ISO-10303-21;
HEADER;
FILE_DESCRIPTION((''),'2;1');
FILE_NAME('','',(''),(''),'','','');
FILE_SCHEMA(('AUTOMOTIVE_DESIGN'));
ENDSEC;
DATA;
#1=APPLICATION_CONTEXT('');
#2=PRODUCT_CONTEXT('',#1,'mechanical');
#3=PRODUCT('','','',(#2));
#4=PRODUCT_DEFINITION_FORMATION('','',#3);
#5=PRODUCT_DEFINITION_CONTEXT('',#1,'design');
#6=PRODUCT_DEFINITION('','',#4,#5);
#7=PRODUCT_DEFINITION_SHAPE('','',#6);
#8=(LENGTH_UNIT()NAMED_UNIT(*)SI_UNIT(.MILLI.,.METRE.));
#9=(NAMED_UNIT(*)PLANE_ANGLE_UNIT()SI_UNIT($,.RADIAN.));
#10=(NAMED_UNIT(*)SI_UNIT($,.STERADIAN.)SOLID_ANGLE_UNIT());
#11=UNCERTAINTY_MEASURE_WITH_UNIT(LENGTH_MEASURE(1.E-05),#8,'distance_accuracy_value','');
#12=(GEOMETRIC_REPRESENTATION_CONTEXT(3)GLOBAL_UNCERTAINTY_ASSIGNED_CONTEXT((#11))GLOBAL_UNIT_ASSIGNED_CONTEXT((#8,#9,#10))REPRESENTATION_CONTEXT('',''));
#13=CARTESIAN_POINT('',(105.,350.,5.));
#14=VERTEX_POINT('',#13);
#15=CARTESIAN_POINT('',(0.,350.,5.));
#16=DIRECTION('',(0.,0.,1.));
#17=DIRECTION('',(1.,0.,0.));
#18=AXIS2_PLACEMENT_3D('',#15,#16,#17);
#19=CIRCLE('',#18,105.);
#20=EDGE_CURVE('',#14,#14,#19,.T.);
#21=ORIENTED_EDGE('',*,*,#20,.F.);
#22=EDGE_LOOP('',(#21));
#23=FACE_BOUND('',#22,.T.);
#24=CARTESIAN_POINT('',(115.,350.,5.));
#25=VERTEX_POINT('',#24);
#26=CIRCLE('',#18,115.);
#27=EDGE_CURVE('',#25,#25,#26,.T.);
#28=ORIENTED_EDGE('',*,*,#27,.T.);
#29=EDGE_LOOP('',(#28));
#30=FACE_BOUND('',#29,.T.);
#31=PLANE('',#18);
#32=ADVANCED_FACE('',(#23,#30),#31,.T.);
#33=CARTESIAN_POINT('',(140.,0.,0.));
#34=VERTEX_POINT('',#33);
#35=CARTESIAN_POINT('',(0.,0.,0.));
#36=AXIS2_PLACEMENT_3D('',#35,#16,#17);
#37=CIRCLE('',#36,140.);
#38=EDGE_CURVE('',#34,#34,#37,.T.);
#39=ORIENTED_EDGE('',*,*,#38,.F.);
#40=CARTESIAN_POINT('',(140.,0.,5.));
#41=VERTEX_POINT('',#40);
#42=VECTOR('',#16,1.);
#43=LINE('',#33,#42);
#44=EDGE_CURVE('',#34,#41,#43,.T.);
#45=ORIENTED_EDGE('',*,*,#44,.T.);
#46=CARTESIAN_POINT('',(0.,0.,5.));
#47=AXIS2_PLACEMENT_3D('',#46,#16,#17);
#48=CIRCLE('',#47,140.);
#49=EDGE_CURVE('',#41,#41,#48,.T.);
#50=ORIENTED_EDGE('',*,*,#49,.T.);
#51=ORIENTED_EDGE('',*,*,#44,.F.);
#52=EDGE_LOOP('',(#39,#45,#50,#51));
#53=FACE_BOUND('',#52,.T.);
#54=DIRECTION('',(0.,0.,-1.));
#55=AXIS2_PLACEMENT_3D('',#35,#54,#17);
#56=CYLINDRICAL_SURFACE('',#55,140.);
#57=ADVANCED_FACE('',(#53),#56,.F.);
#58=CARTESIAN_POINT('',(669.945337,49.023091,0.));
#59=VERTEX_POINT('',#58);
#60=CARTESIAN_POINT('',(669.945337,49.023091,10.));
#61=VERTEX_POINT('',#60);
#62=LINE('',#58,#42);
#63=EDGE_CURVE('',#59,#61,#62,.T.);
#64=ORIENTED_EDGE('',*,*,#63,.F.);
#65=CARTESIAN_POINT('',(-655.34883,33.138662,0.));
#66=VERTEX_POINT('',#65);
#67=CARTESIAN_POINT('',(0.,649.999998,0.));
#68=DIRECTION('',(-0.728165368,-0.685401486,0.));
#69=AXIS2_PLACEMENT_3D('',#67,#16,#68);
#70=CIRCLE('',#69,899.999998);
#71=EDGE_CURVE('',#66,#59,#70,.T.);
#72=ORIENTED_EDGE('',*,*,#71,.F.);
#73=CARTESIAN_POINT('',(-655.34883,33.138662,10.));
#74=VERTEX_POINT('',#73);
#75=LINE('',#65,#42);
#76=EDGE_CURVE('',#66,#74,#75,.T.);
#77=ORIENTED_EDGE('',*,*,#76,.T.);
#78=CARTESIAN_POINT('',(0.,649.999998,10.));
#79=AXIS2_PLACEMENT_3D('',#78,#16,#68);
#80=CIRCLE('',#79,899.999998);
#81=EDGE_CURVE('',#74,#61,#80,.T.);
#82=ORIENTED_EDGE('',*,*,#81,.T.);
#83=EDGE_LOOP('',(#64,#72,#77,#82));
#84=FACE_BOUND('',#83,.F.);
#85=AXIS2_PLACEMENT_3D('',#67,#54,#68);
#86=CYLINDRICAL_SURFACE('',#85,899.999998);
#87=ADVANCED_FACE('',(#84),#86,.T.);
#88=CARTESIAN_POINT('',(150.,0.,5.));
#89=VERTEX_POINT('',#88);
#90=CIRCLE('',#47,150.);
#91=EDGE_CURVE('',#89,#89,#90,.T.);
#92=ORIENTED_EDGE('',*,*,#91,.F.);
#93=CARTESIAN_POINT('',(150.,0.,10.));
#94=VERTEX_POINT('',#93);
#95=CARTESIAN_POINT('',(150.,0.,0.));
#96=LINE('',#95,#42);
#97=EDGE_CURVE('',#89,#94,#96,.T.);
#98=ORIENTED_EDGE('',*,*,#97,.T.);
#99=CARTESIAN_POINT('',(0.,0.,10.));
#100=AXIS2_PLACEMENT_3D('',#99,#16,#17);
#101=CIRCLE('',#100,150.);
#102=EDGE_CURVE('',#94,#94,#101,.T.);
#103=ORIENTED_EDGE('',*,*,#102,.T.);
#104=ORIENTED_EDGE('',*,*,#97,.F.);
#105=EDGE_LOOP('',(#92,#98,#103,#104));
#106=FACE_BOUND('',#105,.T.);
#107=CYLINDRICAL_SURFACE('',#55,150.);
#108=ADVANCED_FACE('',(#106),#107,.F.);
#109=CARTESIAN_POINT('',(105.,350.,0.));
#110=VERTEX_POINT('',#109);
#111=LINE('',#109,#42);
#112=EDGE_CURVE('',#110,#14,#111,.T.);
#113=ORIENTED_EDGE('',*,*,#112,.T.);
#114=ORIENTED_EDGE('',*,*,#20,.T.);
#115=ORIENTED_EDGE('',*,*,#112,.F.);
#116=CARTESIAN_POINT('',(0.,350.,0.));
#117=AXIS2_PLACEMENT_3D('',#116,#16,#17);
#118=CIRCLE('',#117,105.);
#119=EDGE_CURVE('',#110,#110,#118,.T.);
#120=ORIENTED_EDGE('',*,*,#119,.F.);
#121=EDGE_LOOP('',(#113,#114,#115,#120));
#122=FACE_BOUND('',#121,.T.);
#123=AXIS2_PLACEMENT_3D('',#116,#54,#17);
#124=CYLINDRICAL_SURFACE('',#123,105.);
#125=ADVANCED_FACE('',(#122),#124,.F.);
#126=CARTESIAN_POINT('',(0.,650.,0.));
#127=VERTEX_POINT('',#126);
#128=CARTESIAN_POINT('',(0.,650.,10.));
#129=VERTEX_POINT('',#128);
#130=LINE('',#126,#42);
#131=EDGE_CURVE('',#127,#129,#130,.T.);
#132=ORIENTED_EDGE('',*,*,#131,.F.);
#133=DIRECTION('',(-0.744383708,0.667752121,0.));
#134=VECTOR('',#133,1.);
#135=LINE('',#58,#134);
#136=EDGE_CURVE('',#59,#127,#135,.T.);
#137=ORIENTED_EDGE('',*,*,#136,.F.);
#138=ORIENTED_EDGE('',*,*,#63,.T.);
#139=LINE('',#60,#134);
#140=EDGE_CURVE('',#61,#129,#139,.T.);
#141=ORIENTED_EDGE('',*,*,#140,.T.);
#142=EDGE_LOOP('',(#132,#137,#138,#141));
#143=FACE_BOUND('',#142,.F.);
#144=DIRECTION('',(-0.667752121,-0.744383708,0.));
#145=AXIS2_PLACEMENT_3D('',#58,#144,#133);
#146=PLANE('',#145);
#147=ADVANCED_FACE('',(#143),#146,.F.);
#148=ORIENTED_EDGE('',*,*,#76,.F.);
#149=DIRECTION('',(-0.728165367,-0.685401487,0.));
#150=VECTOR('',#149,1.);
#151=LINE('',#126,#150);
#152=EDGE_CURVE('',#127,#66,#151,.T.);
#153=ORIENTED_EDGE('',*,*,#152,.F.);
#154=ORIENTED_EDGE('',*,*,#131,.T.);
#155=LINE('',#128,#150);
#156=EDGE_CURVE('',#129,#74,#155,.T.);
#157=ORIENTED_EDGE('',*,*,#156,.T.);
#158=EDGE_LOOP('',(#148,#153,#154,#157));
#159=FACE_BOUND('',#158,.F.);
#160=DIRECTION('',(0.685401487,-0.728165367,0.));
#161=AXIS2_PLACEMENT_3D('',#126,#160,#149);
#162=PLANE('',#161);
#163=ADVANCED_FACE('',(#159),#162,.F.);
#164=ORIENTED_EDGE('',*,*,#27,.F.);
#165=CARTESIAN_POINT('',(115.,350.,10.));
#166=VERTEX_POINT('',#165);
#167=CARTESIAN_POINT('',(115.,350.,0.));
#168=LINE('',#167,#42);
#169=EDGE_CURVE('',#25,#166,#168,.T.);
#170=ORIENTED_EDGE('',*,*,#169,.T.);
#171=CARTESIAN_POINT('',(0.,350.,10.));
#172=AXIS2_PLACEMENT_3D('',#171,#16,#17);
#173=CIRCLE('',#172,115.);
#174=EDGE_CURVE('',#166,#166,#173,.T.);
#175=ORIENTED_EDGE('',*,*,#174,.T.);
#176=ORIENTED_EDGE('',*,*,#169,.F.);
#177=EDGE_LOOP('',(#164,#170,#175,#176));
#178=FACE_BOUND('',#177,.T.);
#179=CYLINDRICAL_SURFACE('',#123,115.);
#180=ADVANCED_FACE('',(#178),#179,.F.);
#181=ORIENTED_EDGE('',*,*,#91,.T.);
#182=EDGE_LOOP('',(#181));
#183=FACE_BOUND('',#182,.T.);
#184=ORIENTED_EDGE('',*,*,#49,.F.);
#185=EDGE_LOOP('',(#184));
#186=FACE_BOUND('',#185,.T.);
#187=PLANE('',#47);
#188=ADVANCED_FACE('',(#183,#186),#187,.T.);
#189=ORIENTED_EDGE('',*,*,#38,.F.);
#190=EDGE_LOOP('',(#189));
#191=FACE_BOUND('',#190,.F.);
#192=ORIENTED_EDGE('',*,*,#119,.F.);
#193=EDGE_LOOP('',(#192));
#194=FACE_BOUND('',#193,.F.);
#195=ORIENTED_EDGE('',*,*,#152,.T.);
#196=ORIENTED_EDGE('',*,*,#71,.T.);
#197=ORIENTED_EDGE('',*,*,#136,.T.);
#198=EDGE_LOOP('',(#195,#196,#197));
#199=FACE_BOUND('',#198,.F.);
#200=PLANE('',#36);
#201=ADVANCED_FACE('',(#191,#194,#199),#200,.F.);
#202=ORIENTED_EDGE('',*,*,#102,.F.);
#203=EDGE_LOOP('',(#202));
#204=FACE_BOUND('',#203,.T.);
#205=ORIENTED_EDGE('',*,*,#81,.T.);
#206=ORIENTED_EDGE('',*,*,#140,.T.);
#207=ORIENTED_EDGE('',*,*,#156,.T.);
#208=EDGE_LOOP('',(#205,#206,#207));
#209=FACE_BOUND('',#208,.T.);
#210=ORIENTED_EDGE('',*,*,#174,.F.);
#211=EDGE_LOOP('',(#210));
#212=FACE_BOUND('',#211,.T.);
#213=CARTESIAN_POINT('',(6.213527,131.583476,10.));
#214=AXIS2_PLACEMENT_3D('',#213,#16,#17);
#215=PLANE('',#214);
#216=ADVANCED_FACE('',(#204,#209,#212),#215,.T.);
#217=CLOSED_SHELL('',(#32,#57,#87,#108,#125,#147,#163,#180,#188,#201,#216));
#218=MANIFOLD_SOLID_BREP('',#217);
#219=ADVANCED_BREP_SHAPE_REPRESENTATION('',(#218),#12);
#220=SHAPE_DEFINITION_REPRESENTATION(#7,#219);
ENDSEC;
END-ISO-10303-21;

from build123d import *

# Parameters (mm, degrees)
F0_R     = 150
F0_R_2   = 115
F1_DEPTH = 10
F0_R_3   = 140
F0_R_4   = 105
F2_DEPTH = 5


with BuildPart() as f1:
    # F0 (on Top) → F1 (new body)
    with BuildSketch(Plane.XY):
        with BuildLine():
            ThreePointArc((-655.34883, 33.138662), (10.786254, -249.935363), (669.945337, 49.023091))
            Line((669.945337, 49.023091), (0, 650))
            Line((0, 650), (-655.34883, 33.138662))
        make_face()
        Circle(F0_R, mode=Mode.SUBTRACT)
        with Locations((0, 350)):
            Circle(F0_R_2, mode=Mode.SUBTRACT)
    extrude(amount=F1_DEPTH)

    # F0 (on Top) → F2 (join)
    with BuildSketch(Plane.XY):
        Circle(F0_R)
        Circle(F0_R_3, mode=Mode.SUBTRACT)
        with Locations((0, 350)):
            Circle(F0_R_2)
        with Locations((0, 350)):
            Circle(F0_R_4, mode=Mode.SUBTRACT)
    extrude(amount=F2_DEPTH)


solid = f1.part
